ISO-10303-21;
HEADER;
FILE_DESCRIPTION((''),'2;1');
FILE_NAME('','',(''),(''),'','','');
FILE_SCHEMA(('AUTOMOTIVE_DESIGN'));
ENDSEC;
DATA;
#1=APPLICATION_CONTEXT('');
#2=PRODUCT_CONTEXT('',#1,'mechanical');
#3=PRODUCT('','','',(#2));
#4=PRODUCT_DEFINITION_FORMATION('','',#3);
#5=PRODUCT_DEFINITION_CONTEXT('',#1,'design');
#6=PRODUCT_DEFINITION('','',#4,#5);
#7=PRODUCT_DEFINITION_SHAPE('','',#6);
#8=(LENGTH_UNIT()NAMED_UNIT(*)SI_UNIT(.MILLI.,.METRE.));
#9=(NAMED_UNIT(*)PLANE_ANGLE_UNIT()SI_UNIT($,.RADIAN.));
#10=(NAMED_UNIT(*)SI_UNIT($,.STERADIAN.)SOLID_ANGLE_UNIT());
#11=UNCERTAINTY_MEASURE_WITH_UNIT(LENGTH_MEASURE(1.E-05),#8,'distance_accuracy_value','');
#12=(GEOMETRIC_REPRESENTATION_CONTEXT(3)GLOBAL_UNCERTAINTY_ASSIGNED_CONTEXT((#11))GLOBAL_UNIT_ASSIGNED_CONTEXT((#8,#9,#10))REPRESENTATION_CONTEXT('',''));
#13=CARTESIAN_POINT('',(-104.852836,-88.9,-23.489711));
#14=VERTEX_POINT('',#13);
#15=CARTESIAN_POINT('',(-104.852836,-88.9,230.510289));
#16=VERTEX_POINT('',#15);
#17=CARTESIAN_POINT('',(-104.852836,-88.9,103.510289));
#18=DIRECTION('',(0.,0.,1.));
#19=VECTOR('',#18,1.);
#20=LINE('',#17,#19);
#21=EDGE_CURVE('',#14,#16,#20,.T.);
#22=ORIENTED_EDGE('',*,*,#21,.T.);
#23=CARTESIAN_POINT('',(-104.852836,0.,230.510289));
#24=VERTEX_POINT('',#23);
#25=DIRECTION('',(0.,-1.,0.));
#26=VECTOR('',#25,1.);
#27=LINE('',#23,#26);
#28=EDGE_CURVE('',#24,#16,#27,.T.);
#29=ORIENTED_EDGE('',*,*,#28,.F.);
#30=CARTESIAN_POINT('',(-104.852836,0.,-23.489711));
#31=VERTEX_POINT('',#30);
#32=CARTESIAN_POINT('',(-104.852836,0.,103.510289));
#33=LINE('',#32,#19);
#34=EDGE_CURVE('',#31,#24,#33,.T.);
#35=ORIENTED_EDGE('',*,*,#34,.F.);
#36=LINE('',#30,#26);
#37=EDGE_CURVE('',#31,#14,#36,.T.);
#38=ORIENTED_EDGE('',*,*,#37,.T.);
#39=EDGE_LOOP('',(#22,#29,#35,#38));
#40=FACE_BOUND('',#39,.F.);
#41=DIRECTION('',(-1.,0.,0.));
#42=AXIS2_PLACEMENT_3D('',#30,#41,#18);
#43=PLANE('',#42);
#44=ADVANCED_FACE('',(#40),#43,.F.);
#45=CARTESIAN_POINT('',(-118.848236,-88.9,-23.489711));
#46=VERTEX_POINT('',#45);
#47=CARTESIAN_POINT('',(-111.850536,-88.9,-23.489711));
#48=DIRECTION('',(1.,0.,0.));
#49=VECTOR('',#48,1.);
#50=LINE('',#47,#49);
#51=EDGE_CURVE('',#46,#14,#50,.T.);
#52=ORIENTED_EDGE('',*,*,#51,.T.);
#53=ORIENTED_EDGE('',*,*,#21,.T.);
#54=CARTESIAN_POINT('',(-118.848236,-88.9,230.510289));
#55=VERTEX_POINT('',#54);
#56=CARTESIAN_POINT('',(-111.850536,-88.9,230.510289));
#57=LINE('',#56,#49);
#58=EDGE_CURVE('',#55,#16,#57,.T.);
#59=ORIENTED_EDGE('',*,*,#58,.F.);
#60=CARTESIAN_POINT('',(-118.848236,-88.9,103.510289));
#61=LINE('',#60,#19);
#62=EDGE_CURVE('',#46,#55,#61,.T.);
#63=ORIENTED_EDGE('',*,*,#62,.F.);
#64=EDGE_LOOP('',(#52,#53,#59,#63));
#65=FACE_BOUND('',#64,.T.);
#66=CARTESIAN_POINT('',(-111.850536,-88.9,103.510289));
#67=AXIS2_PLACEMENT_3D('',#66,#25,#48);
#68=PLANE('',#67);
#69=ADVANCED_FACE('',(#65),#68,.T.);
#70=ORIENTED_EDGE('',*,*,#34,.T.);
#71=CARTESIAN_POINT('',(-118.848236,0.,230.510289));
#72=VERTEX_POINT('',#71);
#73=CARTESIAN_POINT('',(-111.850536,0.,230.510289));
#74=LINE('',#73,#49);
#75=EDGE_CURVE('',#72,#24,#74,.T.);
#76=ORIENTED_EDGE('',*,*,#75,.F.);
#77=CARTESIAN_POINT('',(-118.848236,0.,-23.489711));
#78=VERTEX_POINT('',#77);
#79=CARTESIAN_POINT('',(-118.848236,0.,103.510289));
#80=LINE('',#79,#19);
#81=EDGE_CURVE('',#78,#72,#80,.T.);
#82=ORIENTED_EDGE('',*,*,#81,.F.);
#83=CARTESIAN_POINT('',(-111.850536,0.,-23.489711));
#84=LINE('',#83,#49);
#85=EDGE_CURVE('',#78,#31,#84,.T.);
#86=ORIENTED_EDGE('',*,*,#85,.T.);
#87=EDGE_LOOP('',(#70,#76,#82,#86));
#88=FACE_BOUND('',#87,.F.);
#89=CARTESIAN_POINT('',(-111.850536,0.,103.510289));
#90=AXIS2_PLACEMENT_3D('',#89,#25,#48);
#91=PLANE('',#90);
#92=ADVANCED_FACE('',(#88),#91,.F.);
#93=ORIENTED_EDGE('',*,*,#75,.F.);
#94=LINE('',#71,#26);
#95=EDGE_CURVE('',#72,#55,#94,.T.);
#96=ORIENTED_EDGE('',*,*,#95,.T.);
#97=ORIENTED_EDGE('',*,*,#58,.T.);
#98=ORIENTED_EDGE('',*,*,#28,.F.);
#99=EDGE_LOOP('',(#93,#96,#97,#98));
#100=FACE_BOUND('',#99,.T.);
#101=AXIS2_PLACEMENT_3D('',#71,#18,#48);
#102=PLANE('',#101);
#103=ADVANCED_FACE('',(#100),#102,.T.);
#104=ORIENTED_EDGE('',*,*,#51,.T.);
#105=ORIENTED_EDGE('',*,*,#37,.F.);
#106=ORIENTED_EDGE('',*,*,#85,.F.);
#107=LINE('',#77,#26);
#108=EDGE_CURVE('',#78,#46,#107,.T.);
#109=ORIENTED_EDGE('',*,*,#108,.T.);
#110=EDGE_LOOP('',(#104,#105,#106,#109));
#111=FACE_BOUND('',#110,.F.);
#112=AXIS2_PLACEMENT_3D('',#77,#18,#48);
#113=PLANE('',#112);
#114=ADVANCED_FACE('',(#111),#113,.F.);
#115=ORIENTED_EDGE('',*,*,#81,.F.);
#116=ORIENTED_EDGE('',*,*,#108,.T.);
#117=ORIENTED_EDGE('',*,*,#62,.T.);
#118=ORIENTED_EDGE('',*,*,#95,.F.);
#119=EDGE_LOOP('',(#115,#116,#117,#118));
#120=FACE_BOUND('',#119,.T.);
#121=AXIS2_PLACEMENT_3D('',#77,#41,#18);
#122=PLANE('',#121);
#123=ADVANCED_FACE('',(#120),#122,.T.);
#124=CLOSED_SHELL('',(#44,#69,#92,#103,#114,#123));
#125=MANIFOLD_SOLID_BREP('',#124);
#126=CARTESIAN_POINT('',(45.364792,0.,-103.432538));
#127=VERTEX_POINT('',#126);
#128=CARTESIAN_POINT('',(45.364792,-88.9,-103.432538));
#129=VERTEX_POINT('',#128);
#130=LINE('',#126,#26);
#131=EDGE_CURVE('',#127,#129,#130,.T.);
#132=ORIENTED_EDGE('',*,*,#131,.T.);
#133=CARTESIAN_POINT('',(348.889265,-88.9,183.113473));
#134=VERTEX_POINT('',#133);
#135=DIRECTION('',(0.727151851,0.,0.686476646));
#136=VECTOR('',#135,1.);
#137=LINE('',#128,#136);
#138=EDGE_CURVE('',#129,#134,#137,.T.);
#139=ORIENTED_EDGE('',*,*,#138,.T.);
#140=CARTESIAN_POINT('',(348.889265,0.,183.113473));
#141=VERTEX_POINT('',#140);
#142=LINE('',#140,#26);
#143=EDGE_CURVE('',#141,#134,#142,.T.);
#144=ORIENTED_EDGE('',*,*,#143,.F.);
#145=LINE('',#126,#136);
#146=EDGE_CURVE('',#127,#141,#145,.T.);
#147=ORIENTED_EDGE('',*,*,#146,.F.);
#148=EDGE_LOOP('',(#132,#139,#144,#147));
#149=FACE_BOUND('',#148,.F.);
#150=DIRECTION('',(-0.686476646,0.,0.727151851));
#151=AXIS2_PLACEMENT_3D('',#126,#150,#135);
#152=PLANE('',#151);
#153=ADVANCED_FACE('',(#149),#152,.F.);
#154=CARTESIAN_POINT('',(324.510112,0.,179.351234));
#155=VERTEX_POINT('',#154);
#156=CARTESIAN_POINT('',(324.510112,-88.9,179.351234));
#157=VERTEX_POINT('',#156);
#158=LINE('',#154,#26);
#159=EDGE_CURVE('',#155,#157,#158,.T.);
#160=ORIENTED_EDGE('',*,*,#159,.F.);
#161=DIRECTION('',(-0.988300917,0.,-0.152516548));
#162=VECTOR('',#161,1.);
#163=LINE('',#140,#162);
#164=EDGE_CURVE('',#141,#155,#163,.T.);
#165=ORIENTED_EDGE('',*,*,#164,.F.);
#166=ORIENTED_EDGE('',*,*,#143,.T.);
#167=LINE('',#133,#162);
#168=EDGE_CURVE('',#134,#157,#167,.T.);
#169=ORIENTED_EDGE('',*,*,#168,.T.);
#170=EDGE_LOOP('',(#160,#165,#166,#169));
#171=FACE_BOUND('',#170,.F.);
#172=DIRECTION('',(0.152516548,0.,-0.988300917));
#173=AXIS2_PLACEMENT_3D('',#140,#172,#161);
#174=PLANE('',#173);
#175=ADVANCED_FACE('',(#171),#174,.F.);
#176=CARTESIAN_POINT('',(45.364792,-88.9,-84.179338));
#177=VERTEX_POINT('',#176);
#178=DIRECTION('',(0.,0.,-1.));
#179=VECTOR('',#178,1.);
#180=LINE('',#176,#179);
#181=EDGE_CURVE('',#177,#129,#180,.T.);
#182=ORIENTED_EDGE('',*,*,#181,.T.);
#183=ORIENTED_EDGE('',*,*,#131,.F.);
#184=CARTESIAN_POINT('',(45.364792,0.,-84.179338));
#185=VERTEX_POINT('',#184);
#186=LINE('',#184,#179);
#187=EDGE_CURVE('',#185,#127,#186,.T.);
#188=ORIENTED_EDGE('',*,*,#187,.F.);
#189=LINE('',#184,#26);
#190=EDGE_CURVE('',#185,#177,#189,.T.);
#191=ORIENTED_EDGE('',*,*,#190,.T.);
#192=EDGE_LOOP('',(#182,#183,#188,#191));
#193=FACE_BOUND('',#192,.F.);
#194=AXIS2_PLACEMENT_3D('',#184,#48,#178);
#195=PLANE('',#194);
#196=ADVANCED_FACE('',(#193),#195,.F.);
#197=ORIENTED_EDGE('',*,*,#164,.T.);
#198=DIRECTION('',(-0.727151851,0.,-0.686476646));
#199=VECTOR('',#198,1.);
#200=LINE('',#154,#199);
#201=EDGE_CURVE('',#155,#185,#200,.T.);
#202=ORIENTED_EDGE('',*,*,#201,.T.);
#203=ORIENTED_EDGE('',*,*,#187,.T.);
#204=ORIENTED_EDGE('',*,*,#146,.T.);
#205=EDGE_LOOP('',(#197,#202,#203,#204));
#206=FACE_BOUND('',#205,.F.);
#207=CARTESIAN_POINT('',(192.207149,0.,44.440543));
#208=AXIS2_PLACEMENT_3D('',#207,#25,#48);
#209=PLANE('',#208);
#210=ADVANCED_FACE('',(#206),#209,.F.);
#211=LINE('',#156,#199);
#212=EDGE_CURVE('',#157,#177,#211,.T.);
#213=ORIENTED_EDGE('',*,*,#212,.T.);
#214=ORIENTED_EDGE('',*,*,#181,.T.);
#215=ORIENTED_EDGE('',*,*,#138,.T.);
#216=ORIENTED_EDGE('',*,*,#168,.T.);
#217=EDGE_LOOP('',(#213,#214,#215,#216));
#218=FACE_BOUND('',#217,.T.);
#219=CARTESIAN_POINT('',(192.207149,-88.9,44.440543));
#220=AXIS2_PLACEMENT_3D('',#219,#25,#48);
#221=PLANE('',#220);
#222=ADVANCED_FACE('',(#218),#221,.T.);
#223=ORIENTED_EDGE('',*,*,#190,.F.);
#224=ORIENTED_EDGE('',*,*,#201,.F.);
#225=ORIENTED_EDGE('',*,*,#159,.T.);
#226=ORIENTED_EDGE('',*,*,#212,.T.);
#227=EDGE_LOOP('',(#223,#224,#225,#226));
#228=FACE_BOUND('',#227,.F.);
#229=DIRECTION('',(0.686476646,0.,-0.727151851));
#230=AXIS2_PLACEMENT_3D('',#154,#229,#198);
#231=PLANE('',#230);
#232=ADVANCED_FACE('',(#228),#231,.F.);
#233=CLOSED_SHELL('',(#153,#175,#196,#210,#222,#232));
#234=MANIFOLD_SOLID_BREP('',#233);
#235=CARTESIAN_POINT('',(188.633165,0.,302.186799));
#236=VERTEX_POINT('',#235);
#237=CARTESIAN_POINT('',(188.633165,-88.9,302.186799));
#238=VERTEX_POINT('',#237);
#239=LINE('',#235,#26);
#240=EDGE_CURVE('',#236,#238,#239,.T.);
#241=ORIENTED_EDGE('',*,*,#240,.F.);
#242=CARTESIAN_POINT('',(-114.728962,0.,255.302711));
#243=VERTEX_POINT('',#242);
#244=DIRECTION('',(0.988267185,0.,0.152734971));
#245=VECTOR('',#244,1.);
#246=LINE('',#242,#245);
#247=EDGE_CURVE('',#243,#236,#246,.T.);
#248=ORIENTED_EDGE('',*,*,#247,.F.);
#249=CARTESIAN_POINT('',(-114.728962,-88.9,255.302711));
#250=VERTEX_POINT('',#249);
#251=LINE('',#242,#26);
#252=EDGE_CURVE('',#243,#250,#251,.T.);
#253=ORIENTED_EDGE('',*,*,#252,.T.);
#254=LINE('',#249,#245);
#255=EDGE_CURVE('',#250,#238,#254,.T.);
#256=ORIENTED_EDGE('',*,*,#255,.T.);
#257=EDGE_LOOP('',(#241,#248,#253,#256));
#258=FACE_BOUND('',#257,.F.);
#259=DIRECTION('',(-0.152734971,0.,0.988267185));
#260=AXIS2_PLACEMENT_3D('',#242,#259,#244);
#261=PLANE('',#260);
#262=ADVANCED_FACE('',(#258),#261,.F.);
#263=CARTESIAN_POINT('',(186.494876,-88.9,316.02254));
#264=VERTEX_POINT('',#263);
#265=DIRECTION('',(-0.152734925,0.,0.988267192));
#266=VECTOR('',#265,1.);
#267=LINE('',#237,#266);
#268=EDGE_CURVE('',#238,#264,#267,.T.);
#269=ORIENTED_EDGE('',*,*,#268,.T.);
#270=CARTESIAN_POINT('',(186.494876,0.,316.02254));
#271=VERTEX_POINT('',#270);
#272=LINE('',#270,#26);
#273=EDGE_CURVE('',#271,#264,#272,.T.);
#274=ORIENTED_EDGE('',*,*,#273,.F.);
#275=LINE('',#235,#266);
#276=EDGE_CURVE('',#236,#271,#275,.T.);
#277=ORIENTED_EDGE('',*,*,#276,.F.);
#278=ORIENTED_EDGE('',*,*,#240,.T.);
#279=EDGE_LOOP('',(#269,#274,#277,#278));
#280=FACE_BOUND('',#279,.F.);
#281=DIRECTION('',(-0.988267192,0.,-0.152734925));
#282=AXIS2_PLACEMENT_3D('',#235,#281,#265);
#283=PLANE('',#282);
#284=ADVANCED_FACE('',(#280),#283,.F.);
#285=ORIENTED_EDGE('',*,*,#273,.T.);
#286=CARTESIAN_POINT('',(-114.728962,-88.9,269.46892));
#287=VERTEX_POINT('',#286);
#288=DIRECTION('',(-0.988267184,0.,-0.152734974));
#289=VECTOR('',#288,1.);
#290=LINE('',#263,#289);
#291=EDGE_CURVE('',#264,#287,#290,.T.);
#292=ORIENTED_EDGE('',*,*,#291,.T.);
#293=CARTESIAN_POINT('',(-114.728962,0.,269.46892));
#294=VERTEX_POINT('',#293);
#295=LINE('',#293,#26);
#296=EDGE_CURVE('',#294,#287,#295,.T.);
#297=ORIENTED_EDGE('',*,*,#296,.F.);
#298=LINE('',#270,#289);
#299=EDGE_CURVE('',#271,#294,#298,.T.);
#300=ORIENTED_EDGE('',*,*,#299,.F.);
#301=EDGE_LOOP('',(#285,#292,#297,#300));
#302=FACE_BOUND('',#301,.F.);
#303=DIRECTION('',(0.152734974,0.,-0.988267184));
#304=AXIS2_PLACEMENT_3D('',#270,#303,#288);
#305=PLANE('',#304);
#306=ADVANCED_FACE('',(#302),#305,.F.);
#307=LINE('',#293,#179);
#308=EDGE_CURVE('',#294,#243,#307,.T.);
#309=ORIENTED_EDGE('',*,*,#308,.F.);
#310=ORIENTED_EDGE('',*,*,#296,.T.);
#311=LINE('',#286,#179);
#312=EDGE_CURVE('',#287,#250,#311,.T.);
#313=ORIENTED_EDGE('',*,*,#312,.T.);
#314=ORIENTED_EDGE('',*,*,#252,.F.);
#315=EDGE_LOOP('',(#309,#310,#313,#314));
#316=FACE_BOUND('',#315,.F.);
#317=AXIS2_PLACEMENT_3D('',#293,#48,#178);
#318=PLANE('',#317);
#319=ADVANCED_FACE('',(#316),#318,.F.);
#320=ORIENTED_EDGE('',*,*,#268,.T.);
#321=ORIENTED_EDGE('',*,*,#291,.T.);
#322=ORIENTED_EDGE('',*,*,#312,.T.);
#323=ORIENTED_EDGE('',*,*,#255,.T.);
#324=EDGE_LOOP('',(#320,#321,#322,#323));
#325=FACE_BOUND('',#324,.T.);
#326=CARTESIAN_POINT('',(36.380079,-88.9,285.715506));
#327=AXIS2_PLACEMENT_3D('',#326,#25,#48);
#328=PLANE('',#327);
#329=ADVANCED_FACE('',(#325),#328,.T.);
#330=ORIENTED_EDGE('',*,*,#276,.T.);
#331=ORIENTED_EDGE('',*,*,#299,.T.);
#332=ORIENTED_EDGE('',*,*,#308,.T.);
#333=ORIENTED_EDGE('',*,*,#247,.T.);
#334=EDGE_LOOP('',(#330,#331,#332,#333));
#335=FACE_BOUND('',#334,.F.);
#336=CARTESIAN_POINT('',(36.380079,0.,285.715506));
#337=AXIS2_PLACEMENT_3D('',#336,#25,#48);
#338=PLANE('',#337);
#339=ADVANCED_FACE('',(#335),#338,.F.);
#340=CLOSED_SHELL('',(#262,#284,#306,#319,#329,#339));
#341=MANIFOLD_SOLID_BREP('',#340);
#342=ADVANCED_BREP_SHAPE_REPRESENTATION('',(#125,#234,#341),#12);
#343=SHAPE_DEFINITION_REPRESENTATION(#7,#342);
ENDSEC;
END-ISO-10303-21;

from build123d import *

# Parameters (mm, degrees)
F3_DEPTH = 88.9
F1_W     = 13.9954
F1_H     = 254
F4_DEPTH = 88.9
F5_DEPTH = 88.9


with BuildPart() as f3:
    # F2 (on Front) → F3 (new body)
    with BuildSketch(Plane.XZ):
        Polygon((186.494876, 316.02254), (-114.728962, 269.46892), (-114.728962, 255.302711), (188.633165, 302.186799), align=None)
    extrude(amount=F3_DEPTH)


with BuildPart() as f4:
    # F1 (on Front) → F4 (new body)
    with BuildSketch(Plane.XZ):
        with Locations((-111.850536, 103.510289)):
            Rectangle(F1_W, F1_H)
    extrude(amount=F4_DEPTH)


with BuildPart() as f5:
    # F0 (on Front) → F5 (new body)
    with BuildSketch(Plane.XZ):
        Polygon((45.364792, -103.432538), (348.889265, 183.113473), (324.510112, 179.351234), (45.364792, -84.179338), align=None)
    extrude(amount=F5_DEPTH)


solid = Compound([f3.part, f4.part, f5.part])
